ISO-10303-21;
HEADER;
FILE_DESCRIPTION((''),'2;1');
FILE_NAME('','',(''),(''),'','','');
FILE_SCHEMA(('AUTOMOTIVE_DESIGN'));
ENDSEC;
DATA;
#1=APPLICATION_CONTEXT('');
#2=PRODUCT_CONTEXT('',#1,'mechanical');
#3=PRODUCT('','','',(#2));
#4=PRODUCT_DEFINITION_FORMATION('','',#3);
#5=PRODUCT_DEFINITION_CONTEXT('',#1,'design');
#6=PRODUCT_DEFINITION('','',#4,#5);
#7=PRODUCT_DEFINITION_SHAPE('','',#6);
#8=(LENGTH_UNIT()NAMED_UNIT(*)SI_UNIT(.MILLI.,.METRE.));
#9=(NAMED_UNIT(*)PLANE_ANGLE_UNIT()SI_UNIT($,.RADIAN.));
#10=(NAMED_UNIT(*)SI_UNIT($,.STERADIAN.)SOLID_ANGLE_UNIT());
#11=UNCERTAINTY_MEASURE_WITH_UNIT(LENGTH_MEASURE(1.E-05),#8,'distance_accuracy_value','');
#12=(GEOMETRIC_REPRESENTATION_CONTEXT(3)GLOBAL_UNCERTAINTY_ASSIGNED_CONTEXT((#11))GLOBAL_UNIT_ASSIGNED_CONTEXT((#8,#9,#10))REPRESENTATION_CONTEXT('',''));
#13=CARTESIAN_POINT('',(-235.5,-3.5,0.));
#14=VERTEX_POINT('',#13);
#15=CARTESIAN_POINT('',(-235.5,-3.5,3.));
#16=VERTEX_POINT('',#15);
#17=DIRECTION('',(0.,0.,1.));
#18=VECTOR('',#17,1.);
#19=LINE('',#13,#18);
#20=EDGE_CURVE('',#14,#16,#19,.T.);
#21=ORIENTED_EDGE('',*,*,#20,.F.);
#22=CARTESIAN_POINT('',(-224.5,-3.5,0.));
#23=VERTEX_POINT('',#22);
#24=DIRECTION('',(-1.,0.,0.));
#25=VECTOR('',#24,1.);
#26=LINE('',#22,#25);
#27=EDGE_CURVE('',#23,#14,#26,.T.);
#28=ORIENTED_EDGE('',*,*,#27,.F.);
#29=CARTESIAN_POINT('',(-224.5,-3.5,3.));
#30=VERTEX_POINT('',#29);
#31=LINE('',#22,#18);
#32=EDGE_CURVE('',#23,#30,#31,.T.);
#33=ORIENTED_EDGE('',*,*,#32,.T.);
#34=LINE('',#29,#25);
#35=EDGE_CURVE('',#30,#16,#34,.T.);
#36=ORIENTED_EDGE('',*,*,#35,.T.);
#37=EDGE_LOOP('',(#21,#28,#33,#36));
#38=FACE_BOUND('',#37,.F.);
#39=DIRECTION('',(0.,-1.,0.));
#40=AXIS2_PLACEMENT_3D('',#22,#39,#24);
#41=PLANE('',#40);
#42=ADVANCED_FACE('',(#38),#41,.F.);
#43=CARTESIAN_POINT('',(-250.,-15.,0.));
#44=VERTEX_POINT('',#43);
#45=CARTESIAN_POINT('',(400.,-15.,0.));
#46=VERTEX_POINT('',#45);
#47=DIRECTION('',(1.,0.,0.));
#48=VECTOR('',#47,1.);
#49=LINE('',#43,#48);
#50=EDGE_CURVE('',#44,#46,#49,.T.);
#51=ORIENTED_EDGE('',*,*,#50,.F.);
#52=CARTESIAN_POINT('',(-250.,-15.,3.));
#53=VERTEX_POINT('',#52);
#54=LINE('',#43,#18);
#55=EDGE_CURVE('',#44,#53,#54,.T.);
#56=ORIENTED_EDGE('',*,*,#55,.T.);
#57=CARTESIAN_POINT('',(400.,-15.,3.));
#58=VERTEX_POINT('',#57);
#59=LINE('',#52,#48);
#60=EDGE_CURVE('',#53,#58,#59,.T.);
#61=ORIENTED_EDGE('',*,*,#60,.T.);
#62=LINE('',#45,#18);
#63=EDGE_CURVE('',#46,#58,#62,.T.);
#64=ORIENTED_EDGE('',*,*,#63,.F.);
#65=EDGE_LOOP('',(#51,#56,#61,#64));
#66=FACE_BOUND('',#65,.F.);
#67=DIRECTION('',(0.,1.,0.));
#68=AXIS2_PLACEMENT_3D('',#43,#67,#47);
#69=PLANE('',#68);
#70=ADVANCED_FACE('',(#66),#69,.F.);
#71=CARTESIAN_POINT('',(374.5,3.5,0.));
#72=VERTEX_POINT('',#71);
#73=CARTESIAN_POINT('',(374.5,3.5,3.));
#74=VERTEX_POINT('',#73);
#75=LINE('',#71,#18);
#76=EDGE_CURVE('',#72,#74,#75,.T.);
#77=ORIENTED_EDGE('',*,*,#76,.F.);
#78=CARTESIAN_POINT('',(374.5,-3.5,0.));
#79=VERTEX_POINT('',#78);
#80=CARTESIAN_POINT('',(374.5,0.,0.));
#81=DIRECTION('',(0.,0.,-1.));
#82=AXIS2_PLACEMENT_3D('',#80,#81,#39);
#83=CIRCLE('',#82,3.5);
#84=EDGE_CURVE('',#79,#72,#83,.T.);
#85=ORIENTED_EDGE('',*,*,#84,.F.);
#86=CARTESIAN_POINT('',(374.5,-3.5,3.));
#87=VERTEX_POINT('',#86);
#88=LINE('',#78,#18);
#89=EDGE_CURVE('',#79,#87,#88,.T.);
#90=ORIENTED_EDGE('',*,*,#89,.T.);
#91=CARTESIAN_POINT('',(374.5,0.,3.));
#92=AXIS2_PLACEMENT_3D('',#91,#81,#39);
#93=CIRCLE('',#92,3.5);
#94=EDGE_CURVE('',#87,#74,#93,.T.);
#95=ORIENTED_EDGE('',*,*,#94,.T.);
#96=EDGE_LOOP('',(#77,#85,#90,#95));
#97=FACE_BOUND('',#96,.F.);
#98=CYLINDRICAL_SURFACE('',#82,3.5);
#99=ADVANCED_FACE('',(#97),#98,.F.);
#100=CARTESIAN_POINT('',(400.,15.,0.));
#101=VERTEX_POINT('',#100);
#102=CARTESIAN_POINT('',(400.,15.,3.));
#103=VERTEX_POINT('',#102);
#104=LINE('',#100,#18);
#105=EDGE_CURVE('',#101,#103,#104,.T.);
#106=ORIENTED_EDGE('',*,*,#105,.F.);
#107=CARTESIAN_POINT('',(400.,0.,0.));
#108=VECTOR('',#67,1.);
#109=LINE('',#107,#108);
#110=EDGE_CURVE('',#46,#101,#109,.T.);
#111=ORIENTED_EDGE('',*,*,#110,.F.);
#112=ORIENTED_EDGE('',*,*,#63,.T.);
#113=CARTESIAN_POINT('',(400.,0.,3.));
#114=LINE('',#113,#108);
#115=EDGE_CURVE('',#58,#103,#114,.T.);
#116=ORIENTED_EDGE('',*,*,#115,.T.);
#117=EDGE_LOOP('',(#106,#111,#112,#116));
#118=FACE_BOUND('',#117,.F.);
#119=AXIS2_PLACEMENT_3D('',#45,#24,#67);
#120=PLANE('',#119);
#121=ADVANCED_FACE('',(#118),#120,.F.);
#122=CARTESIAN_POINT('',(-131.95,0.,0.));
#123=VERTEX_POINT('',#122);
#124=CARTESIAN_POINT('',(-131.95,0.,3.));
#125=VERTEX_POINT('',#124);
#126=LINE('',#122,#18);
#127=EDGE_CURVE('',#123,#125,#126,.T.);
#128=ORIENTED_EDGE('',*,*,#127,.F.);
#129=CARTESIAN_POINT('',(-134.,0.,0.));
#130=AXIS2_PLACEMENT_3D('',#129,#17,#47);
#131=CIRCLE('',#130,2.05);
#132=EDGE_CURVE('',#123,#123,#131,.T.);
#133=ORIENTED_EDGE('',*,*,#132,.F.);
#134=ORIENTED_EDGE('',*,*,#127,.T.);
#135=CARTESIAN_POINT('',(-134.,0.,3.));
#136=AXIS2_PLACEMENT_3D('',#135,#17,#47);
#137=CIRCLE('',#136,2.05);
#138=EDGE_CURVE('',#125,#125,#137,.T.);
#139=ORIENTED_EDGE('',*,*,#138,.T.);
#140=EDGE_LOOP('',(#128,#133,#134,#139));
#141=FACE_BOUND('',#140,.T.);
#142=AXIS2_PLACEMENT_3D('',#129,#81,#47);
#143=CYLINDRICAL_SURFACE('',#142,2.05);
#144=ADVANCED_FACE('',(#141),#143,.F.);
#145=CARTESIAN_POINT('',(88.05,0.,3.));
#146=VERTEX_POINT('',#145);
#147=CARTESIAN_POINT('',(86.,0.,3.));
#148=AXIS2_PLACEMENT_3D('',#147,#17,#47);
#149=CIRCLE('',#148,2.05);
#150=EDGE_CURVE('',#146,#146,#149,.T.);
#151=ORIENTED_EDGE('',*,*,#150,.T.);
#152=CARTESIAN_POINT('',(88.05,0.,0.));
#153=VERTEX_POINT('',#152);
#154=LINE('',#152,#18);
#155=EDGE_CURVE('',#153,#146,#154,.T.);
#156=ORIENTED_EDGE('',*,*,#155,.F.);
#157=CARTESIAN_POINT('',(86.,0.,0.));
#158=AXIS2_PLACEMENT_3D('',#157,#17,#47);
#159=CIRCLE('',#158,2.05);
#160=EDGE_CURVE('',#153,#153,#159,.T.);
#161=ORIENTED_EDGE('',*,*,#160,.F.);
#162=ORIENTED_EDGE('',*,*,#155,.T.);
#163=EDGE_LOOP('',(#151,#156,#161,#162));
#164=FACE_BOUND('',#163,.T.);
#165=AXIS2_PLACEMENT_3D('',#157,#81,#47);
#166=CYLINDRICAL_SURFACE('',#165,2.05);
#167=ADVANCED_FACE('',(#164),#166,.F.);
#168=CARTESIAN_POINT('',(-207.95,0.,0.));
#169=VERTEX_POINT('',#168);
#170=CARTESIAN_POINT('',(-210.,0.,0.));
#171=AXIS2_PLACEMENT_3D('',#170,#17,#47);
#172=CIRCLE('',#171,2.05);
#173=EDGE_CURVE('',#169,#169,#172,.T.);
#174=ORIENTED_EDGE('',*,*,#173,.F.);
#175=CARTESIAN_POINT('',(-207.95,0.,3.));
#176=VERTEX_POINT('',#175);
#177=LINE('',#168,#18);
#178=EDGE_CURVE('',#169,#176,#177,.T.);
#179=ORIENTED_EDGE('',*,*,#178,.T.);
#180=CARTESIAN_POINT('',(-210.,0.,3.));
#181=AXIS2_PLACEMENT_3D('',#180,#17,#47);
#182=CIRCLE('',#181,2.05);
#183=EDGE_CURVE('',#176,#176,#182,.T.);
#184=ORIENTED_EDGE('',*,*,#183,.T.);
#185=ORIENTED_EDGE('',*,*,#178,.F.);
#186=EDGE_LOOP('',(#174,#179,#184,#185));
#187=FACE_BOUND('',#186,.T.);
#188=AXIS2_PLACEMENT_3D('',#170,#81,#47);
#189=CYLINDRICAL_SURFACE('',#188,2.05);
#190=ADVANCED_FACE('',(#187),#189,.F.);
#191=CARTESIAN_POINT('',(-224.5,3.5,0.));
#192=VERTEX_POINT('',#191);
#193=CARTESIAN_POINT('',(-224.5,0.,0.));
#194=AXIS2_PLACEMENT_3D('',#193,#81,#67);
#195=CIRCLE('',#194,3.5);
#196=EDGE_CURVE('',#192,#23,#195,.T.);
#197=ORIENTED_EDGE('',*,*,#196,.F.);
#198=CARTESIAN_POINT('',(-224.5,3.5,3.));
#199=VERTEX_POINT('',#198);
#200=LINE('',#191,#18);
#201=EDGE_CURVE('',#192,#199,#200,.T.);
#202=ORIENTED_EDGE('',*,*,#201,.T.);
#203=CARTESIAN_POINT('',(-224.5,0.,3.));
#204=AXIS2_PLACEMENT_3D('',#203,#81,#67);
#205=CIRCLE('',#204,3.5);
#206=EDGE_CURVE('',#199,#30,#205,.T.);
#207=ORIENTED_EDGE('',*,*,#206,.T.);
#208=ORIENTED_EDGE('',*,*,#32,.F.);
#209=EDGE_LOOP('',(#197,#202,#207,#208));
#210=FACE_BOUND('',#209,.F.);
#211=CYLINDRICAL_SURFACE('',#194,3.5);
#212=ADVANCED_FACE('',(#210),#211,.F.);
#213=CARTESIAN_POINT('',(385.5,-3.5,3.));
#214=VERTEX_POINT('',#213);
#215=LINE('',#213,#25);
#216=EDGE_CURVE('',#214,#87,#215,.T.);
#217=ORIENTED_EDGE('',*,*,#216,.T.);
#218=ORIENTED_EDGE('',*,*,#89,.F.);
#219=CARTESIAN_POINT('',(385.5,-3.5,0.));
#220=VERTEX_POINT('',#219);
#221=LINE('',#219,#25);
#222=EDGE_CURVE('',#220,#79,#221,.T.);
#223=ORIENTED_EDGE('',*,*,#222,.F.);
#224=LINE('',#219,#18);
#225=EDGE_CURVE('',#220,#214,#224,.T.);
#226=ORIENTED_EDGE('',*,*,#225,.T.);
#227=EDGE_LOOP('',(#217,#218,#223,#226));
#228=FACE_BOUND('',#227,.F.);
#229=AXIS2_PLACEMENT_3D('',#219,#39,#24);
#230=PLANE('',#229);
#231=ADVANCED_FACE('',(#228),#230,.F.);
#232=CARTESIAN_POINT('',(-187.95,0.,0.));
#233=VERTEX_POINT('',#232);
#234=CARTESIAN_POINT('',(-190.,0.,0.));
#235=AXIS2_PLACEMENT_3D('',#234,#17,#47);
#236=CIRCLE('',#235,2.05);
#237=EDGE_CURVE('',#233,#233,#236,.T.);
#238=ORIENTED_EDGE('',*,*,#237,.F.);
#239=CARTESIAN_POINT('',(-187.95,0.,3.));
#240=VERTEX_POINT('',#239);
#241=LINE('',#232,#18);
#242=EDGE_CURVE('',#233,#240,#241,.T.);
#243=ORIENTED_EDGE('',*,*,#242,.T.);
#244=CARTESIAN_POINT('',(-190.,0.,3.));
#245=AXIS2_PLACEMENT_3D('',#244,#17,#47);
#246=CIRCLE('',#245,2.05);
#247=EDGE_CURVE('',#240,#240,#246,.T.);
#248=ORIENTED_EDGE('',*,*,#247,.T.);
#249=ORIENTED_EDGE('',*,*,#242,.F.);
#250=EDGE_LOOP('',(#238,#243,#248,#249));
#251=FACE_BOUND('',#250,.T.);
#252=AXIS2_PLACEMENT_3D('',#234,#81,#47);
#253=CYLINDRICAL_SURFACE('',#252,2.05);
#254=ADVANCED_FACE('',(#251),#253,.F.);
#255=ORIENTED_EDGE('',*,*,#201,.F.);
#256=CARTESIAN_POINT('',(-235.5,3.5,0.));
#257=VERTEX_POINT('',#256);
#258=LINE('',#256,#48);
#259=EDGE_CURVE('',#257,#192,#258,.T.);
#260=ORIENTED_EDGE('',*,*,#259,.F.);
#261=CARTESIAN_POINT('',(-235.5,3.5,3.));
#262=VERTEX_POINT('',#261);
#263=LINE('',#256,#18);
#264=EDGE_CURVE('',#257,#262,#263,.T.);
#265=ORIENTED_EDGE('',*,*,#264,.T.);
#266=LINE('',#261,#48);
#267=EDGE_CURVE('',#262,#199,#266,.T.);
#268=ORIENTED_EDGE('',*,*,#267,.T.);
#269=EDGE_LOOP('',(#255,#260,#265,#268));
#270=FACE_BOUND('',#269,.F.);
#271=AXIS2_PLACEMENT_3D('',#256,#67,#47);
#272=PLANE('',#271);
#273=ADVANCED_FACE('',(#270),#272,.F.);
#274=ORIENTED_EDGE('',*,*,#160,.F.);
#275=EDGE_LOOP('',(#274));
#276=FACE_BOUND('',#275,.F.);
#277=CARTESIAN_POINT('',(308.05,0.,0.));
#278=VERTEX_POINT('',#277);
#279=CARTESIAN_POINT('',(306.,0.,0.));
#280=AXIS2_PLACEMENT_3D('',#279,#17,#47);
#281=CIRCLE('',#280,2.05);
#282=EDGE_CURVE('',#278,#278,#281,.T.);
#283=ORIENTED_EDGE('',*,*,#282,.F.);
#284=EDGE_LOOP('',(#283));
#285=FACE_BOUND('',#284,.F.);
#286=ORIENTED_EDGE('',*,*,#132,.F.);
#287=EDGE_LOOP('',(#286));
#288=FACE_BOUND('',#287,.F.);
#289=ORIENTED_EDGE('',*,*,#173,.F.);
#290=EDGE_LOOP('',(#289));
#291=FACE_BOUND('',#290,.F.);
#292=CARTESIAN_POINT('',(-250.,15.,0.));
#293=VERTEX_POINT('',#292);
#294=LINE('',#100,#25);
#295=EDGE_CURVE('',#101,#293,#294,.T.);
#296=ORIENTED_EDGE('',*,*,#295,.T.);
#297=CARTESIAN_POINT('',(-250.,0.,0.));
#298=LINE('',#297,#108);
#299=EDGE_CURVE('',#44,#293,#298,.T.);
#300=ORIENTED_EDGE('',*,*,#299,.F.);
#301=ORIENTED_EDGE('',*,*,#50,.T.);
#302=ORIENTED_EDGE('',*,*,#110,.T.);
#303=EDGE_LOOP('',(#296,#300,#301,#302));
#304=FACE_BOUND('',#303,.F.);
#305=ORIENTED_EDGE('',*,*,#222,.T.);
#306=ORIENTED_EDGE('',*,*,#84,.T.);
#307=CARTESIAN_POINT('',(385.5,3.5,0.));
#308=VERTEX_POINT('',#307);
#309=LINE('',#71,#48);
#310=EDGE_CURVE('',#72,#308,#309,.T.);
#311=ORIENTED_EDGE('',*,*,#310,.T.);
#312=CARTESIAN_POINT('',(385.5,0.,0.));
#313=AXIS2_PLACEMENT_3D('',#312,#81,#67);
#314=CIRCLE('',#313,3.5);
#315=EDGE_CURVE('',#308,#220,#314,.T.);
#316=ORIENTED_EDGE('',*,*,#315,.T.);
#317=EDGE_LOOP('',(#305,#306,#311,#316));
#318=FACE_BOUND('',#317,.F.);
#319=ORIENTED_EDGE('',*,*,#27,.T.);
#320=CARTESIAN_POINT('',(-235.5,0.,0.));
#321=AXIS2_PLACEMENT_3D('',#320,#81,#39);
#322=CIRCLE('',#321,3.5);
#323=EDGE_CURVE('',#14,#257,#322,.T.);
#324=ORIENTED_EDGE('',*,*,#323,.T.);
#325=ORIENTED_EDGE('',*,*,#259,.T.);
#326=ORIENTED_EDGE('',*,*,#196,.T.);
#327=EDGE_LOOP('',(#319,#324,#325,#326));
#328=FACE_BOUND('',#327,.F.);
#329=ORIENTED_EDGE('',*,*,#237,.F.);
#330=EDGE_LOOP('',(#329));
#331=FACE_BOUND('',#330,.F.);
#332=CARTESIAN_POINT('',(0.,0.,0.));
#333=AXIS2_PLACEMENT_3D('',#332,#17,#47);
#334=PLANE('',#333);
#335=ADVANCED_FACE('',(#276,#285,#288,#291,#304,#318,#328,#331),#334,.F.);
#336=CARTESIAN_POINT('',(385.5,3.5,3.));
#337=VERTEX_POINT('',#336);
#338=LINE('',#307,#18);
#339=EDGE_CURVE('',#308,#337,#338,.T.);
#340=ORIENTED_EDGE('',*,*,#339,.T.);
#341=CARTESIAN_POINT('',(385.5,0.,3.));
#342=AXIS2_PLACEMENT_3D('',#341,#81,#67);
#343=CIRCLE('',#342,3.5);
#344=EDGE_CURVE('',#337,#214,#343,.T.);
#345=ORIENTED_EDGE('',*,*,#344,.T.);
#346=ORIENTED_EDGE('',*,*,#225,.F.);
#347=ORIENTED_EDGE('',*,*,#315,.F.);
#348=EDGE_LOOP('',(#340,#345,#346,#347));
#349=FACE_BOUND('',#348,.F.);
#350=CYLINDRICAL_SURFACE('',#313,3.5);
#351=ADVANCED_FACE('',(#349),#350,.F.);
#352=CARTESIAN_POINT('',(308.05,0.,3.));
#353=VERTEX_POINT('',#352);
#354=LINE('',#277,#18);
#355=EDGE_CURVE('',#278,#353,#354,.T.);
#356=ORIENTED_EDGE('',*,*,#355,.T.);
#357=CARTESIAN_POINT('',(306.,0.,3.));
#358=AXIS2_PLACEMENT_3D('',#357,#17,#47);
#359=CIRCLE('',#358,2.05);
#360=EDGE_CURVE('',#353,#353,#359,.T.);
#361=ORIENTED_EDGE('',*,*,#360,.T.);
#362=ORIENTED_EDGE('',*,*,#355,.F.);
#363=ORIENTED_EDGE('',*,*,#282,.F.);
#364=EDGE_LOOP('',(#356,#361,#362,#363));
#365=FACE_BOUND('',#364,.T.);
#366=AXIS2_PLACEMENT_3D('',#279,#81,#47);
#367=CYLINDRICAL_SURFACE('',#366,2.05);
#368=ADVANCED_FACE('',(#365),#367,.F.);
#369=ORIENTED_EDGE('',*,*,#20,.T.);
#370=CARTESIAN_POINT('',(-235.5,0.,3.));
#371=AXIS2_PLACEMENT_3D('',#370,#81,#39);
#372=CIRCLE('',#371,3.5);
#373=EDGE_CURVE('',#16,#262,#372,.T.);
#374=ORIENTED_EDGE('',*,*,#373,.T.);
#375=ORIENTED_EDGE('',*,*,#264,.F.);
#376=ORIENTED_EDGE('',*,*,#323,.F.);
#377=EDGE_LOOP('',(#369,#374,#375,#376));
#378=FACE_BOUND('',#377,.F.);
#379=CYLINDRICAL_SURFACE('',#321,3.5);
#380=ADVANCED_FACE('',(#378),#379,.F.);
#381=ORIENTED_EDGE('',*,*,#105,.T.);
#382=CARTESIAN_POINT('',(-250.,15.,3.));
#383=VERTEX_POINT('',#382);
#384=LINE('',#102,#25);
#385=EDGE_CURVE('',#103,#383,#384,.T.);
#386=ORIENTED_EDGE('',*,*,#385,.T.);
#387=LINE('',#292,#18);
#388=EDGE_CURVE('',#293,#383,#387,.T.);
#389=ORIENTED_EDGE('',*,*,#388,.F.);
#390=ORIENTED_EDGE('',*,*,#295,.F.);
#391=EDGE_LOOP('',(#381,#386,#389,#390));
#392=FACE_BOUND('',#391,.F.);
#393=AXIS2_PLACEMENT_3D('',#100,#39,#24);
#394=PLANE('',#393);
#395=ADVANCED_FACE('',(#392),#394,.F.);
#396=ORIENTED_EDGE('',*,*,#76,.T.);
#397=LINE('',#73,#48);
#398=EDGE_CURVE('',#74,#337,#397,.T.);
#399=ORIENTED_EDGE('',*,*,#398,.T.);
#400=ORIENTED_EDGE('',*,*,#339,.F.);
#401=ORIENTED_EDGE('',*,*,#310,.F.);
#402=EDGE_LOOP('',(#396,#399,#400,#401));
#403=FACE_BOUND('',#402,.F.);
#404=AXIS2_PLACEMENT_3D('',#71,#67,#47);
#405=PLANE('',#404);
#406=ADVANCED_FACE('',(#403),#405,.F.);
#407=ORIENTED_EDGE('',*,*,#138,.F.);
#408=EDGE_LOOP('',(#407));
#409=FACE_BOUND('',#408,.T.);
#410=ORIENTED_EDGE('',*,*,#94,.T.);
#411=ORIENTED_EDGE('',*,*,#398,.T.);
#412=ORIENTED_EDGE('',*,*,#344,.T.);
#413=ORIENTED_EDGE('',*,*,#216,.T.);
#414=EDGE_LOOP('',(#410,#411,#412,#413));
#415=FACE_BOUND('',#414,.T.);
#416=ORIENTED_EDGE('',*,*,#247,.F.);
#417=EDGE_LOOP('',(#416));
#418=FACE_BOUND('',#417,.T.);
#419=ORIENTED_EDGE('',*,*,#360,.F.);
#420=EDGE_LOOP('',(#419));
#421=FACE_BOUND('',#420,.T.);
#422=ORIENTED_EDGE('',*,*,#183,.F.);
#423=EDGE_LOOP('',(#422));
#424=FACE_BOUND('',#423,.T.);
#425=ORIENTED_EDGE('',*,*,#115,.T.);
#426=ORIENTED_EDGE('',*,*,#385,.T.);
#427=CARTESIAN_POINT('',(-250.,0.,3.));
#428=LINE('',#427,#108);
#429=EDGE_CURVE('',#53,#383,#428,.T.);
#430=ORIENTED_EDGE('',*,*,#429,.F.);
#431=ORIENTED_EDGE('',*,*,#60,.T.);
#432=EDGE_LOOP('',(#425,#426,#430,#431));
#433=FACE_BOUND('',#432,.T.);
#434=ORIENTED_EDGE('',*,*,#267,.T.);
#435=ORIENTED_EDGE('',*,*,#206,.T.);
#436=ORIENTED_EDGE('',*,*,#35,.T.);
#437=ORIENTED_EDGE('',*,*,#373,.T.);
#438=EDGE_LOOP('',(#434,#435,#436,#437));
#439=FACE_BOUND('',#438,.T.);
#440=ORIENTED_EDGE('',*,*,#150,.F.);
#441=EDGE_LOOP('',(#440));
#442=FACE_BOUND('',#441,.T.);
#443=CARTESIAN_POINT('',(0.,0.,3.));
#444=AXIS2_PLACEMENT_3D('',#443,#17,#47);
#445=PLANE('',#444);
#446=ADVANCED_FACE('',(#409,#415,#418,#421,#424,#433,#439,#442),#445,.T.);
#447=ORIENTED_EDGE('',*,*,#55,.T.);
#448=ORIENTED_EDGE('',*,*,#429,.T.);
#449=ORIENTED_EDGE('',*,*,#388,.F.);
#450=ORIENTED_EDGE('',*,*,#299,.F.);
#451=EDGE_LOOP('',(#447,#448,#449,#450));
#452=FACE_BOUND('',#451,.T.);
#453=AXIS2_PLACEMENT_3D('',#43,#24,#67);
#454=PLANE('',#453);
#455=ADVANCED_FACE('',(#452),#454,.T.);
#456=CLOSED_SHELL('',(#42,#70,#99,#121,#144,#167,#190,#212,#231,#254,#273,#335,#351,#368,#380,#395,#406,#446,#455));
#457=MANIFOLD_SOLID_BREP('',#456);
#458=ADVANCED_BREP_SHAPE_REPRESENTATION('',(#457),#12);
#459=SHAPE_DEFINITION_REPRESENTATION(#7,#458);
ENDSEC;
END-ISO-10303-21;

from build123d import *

# Parameters (mm, degrees)
F0_W     = 500
F0_H     = 30
F0_R     = 2.05
F0_W_2   = 150
F1_DEPTH = 3


with BuildPart() as f1:
    # F0 (on Top) → F1 (new body)
    with BuildSketch(Plane.XY):
        Rectangle(F0_W, F0_H)
        with BuildLine():
            ThreePointArc((-224.5, 3.5), (-221, 0), (-224.5, -3.5))
            Line((-224.5, -3.5), (-235.5, -3.5))
            ThreePointArc((-235.5, -3.5), (-239, 0), (-235.5, 3.5))
            Line((-235.5, 3.5), (-224.5, 3.5))
        make_face(mode=Mode.SUBTRACT)
        with Locations((-210, 0)):
            Circle(F0_R, mode=Mode.SUBTRACT)
        with Locations((-190, 0)):
            Circle(F0_R, mode=Mode.SUBTRACT)
        with Locations((-134, 0)):
            Circle(F0_R, mode=Mode.SUBTRACT)
        with Locations((86, 0)):
            Circle(F0_R, mode=Mode.SUBTRACT)
        with Locations((325, 0)):
            Rectangle(F0_W_2, F0_H)
        with Locations((306, 0)):
            Circle(F0_R, mode=Mode.SUBTRACT)
        with BuildLine():
            ThreePointArc((385.5, 3.5), (389, 0), (385.5, -3.5))
            Line((385.5, -3.5), (374.5, -3.5))
            ThreePointArc((374.5, -3.5), (371, 0), (374.5, 3.5))
            Line((374.5, 3.5), (385.5, 3.5))
        make_face(mode=Mode.SUBTRACT)
    extrude(amount=F1_DEPTH)


solid = f1.part
